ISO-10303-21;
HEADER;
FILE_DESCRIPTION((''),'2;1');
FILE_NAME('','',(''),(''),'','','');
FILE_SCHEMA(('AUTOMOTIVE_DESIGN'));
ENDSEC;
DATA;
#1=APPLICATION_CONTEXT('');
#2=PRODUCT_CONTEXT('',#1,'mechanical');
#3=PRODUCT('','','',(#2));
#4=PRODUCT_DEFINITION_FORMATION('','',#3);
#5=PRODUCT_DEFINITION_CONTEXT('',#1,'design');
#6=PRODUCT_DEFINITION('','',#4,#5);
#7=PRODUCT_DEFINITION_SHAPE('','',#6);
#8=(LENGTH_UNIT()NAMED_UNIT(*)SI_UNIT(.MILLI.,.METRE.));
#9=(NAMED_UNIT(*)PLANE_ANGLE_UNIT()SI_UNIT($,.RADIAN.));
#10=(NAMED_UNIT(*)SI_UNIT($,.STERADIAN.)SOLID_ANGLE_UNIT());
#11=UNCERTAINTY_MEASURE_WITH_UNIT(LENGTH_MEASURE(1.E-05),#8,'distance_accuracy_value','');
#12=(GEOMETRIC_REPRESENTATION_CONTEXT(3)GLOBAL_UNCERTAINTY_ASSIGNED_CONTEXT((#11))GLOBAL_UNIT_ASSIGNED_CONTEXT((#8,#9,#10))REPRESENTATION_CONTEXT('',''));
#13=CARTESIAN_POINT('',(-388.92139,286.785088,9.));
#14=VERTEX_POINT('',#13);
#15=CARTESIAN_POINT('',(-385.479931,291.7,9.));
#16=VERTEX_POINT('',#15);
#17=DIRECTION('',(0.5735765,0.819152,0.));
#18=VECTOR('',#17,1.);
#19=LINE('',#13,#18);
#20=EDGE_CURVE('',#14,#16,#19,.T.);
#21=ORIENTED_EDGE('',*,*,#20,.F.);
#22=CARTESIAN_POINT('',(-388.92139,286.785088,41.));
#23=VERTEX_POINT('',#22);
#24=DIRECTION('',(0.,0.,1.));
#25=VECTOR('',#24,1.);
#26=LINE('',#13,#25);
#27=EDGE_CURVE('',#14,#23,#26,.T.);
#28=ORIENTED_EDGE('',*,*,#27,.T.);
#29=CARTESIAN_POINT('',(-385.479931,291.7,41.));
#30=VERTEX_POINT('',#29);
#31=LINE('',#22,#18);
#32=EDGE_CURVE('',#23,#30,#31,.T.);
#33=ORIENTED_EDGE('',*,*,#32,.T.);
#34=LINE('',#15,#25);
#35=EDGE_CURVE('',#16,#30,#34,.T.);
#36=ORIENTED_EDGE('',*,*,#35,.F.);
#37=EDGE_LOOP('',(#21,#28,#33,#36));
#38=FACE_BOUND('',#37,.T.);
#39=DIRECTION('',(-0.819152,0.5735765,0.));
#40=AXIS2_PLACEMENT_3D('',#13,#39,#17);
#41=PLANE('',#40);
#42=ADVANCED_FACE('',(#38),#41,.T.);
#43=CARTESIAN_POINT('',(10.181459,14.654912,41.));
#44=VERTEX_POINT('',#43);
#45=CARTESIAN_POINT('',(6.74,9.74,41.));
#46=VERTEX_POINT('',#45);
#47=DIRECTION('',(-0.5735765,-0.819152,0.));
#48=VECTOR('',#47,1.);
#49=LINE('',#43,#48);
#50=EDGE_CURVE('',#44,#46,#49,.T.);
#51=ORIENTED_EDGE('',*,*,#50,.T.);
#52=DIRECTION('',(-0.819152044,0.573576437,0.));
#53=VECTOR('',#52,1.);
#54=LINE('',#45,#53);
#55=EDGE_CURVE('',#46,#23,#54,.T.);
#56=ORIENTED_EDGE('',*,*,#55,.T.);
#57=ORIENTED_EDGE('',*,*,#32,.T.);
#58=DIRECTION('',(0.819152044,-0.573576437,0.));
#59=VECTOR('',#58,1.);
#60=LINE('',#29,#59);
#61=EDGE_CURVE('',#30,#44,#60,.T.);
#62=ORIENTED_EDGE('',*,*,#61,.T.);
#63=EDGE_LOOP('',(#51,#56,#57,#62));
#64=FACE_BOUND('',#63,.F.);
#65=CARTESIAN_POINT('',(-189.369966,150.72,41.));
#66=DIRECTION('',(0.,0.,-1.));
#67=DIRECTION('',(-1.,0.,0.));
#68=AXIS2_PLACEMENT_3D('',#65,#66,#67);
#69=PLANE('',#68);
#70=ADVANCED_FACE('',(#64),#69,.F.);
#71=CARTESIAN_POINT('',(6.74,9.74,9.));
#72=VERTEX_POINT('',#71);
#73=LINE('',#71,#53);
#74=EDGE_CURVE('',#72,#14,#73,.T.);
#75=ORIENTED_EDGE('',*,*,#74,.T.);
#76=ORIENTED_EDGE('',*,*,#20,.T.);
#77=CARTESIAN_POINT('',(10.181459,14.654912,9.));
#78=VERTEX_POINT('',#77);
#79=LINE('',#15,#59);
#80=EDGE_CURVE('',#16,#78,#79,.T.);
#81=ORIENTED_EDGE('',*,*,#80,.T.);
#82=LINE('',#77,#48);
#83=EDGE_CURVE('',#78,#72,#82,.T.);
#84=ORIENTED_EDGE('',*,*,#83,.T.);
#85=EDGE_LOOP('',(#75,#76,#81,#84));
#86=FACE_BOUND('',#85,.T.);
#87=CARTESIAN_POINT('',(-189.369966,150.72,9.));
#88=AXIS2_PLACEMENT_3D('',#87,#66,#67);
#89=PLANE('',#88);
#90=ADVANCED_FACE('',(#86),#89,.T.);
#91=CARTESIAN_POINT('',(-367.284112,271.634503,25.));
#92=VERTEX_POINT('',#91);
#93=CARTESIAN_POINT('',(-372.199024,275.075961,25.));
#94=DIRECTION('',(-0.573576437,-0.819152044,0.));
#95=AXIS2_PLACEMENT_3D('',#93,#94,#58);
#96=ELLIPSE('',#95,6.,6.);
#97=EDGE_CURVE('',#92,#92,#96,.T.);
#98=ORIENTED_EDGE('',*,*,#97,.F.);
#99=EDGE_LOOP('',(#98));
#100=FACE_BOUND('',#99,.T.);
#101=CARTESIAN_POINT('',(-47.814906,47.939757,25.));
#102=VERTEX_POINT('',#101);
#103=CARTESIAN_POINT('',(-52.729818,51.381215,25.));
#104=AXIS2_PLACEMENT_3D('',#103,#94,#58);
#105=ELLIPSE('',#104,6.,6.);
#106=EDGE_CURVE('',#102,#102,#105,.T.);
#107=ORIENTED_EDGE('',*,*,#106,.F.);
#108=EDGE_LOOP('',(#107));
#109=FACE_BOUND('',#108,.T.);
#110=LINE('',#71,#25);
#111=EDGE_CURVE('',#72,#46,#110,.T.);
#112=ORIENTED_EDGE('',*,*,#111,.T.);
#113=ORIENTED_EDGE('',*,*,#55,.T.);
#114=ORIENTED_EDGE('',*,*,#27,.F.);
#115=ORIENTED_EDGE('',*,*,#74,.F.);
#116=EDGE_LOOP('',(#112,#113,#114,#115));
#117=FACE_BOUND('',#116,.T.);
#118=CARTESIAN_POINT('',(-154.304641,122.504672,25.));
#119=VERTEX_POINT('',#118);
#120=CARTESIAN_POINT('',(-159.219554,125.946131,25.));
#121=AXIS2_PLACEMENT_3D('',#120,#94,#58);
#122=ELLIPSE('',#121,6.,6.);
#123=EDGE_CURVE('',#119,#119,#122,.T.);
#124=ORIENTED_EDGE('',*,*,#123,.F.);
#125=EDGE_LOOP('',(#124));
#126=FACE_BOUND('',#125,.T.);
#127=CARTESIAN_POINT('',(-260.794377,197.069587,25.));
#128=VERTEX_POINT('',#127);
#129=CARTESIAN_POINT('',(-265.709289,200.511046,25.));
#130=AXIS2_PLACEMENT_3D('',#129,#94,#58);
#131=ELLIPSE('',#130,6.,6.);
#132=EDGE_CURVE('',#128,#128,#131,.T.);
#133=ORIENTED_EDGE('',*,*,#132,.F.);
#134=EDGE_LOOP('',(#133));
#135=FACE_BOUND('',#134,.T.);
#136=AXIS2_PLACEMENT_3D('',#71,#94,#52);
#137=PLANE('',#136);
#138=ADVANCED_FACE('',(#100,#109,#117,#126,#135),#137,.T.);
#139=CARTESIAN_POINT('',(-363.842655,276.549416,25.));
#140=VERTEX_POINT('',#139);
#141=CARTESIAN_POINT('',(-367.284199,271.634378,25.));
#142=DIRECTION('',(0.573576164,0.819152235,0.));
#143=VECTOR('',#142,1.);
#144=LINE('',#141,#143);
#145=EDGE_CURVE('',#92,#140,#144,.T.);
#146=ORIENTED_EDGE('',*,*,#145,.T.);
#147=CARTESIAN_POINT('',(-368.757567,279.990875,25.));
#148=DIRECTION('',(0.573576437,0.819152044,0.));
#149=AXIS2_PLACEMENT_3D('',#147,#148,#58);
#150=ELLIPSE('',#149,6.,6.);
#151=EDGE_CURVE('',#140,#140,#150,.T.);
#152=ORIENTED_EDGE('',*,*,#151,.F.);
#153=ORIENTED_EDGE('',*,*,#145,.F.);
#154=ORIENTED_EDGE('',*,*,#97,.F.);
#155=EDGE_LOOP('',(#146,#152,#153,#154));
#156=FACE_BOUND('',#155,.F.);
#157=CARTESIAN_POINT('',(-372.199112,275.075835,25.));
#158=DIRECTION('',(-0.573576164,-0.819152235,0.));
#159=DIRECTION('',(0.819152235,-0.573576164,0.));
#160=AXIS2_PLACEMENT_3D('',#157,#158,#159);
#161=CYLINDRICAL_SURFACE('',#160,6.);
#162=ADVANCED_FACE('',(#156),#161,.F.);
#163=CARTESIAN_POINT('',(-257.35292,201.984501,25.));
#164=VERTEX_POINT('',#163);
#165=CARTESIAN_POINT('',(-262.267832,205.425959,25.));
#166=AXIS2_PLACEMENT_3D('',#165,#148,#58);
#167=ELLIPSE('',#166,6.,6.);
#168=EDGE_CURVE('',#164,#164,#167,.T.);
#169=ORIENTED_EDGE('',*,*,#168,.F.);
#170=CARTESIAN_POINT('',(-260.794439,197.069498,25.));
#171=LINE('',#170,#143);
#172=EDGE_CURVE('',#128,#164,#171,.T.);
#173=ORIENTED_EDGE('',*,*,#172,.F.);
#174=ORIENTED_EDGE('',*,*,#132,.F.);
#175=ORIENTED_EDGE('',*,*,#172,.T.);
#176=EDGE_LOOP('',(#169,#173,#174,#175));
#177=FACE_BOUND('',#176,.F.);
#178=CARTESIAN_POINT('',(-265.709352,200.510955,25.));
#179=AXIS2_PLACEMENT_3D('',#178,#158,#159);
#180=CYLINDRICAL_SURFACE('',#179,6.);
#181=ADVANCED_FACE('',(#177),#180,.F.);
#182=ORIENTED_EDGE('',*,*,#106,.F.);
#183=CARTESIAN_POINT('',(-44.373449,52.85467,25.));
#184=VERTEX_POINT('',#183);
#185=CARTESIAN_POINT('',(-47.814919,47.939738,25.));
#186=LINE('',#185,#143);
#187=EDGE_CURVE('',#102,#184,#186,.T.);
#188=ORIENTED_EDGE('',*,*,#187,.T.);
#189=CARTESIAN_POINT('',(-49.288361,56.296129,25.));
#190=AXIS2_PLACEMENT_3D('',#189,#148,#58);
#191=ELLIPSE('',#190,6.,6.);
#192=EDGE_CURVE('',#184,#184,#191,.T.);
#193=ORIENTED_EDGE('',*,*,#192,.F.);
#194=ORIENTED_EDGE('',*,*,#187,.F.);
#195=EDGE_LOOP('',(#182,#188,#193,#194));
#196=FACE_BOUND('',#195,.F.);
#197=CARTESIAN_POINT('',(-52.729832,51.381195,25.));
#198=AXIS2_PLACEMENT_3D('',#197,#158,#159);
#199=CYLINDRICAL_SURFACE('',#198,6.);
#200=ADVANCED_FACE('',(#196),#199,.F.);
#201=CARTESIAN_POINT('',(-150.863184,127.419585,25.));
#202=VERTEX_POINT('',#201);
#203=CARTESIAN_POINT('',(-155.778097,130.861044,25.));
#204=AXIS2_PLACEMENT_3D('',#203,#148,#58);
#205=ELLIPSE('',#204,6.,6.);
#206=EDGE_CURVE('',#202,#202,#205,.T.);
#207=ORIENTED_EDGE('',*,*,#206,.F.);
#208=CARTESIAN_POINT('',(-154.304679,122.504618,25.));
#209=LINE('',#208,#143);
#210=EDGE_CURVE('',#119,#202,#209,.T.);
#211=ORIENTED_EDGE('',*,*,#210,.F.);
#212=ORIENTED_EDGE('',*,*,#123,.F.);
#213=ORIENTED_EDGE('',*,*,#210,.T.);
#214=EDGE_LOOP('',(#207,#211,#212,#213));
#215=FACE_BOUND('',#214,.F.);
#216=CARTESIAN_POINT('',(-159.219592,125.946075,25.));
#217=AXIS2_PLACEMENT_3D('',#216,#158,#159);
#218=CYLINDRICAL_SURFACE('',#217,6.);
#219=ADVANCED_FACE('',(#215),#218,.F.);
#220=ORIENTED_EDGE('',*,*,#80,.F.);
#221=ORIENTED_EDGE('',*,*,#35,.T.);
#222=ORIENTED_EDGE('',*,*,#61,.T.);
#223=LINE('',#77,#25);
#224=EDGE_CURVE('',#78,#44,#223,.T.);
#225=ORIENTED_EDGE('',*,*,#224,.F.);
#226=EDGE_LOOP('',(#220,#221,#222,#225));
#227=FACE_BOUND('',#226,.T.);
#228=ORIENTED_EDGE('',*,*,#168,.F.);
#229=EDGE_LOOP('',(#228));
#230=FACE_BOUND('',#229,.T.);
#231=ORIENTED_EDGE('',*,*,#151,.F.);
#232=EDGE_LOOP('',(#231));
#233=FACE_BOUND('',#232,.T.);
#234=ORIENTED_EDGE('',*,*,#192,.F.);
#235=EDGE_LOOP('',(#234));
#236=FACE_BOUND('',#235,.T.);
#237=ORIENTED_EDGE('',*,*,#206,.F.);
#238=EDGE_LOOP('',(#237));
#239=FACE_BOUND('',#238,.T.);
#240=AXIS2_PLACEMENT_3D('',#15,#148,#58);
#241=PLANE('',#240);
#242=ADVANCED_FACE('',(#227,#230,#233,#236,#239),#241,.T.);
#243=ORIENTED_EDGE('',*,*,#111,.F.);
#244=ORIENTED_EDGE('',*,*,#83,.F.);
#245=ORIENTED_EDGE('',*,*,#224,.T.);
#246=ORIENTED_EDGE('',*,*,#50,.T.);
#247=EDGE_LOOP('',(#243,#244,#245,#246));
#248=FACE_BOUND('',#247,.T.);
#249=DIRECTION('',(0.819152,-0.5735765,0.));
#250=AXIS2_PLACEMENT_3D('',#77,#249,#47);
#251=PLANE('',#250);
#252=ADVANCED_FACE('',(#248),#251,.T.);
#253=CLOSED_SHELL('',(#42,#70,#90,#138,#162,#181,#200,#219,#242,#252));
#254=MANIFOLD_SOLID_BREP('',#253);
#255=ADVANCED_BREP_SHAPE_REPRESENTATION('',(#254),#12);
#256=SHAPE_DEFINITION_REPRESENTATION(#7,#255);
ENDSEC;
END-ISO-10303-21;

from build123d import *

# Parameters (mm, degrees)
PAD006_DEPTH           = 32
SKETCH014_R            = 6
POCKET004_DEPTH        = 232.94305
LINEARPATTERN002_COUNT = 4
LINEARPATTERN002_PITCH = 130


with BuildPart() as part:
    # Sketch013 → Pad006 (new body)
    with BuildSketch(Plane.XY):
        Polygon((-385.479931, 291.7), (10.181459, 14.654912), (6.74, 9.74), (-388.92139, 286.785088), align=None)
    extrude(amount=PAD006_DEPTH)

    # Sketch014 (on Face3 of Pad006) → Pocket004 (cut, through all)
    with BuildSketch(Plane(origin=(6.793695, 9.702402, 0), x_dir=(0.819152, -0.573576, 0), z_dir=(-0.573576, -0.819152, 0))):
        with Locations((-462.664681, 16)):
            Circle(SKETCH014_R)
    pocket004 = extrude(amount=-POCKET004_DEPTH, mode=Mode.SUBTRACT)

    # LinearPattern002: Pocket004 ×4
    with Locations(*[Vector(0.819152, -0.573576, 0) * (i * LINEARPATTERN002_PITCH) for i in range(1, LINEARPATTERN002_COUNT)]):
        add(pocket004, mode=Mode.SUBTRACT)


with BuildPart() as part_1:
    # Body005 placement: moved
    add(part.part.moved(Location((0, 0, 9))))


solid = part_1.part
